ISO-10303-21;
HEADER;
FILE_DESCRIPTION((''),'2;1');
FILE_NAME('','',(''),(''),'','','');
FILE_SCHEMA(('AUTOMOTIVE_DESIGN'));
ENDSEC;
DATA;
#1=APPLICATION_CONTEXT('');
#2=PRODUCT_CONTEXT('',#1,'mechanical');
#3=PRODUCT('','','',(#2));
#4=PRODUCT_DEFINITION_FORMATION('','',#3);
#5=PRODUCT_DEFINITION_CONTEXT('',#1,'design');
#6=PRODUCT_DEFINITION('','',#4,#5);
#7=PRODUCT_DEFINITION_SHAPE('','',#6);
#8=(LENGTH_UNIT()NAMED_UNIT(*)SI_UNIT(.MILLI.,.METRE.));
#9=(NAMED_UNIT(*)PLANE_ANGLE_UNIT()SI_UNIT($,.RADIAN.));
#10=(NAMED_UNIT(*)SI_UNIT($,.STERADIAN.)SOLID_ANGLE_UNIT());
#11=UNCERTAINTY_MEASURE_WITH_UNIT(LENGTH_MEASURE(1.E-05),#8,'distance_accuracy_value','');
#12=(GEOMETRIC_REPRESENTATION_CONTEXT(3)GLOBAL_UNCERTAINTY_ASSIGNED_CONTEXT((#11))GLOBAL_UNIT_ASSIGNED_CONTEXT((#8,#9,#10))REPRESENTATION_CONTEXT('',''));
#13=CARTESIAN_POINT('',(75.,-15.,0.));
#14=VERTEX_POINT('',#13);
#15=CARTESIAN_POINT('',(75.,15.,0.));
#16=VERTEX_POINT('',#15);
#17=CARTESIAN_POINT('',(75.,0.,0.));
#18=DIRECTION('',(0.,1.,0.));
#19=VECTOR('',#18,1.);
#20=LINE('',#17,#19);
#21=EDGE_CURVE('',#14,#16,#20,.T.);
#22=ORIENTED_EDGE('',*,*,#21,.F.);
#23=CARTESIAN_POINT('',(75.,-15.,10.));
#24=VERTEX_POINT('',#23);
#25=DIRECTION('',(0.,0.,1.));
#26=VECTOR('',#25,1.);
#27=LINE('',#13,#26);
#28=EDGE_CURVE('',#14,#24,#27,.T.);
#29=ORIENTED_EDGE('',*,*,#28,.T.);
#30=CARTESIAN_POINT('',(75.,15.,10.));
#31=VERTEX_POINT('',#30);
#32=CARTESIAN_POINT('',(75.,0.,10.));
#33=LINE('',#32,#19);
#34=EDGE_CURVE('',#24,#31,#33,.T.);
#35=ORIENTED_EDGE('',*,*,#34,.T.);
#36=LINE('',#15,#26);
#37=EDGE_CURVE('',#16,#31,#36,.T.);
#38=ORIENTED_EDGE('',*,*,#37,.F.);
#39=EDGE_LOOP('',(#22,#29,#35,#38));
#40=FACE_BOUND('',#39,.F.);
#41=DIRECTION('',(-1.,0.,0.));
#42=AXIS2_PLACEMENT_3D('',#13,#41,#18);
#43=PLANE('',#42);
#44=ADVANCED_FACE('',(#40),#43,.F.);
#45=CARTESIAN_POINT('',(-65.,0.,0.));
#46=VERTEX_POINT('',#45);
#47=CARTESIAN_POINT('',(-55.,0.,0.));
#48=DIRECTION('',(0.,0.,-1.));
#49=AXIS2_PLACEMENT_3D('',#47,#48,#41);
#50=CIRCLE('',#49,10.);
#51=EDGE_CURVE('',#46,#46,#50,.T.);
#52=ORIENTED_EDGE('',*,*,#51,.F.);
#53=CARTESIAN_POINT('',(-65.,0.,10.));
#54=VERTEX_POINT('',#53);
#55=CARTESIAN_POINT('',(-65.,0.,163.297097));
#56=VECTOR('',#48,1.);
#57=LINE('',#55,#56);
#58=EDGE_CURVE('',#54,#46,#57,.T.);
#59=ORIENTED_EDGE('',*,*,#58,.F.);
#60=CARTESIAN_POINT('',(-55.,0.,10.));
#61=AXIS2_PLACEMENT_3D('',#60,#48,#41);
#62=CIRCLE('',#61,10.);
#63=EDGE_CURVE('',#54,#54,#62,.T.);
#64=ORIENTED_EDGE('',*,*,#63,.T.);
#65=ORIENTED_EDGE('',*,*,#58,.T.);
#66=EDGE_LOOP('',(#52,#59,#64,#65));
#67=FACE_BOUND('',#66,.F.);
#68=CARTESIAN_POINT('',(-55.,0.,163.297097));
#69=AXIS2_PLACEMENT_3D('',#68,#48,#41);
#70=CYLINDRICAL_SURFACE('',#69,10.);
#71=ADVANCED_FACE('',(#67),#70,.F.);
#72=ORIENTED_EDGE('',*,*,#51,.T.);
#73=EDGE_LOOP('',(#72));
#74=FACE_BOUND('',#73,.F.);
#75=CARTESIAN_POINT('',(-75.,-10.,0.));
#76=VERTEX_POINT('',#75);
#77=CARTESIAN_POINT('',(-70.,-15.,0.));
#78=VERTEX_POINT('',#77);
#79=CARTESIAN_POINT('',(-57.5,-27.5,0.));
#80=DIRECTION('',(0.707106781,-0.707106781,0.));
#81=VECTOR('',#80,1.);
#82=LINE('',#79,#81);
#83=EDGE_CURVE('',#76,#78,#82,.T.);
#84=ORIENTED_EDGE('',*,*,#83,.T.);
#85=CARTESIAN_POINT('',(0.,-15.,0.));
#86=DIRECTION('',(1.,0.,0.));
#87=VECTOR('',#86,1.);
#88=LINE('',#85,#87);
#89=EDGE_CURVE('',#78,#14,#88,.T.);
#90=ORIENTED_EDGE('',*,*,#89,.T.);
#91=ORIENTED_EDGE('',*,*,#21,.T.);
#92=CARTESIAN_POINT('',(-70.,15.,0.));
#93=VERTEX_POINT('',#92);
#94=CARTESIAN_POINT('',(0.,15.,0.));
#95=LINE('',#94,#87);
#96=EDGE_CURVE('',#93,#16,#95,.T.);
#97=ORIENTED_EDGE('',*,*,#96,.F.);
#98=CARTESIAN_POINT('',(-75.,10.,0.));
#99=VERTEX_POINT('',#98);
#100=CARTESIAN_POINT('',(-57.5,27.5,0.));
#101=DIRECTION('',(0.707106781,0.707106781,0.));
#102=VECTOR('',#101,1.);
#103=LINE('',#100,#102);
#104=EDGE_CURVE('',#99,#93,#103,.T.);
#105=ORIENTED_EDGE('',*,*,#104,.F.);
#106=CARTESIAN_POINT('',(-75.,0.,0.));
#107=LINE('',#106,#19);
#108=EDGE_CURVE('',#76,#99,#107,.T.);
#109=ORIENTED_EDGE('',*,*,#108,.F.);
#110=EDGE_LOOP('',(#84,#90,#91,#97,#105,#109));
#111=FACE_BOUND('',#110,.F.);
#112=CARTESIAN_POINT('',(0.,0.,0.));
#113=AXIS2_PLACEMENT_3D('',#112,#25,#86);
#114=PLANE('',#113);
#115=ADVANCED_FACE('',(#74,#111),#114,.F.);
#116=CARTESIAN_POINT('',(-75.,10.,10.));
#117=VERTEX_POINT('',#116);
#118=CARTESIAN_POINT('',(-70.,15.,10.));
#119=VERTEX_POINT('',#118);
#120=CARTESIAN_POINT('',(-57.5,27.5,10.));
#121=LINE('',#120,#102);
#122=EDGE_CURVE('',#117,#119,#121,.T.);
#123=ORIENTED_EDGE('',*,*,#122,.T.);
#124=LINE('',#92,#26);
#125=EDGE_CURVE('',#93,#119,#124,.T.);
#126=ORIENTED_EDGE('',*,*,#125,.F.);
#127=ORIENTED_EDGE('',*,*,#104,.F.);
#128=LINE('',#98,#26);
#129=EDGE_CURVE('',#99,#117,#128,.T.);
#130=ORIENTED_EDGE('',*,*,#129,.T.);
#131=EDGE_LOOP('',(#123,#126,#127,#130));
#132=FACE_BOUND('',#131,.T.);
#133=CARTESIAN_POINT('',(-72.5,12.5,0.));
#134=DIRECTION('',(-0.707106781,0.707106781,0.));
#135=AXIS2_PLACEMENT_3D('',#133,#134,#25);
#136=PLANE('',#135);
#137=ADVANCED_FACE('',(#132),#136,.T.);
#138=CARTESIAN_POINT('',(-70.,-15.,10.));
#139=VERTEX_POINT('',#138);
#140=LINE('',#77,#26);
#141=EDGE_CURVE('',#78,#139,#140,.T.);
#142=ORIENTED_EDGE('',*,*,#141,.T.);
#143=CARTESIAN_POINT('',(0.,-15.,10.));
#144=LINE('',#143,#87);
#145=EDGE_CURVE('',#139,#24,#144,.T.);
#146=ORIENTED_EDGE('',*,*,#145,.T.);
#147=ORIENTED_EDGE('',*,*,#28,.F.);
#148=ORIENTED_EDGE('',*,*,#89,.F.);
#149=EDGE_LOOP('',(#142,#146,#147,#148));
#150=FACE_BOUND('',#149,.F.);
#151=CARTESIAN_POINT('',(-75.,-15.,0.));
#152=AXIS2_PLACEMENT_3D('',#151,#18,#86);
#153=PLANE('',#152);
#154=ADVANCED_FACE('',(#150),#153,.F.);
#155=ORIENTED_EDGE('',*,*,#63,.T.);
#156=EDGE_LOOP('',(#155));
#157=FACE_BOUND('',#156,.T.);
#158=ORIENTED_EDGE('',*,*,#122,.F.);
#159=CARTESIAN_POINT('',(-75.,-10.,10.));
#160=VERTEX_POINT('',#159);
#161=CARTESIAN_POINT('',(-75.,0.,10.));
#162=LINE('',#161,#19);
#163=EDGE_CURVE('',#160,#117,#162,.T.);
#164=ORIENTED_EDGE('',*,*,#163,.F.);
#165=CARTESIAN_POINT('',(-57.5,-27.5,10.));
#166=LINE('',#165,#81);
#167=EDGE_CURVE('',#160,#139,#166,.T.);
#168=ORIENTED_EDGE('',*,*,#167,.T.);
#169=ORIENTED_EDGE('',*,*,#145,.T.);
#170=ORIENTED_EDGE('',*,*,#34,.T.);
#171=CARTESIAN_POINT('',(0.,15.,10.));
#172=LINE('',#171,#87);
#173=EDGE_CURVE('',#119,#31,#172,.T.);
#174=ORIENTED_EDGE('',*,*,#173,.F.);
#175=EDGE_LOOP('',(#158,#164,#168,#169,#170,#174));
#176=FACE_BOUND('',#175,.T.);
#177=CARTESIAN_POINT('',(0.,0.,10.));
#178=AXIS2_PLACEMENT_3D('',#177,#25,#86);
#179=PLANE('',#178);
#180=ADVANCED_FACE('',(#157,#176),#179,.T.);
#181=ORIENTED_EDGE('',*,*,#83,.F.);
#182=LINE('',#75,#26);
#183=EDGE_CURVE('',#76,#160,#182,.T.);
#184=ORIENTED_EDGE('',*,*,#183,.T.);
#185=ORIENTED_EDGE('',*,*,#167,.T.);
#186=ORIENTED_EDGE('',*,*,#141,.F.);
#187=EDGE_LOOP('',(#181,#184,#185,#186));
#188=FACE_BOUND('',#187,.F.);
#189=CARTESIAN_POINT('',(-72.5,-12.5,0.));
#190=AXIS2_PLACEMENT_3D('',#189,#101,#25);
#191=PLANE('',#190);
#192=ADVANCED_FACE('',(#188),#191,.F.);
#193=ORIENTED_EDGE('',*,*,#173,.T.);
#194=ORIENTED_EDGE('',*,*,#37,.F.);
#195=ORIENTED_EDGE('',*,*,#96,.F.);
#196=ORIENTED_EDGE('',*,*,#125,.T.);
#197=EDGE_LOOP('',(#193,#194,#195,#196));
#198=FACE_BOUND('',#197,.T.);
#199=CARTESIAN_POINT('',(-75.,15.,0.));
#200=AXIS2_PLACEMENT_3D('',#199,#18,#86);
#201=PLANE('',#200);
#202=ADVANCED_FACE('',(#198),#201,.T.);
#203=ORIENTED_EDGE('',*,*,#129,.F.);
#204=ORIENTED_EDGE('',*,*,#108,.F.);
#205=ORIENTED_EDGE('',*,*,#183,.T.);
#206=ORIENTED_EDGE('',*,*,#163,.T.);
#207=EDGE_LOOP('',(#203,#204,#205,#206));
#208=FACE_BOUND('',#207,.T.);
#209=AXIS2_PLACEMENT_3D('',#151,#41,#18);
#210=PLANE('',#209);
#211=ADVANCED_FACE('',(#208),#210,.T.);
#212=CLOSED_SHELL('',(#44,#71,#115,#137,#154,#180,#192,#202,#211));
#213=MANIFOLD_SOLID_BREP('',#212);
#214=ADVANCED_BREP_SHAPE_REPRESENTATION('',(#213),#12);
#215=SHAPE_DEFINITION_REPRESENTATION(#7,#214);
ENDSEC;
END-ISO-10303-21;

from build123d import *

# Parameters (mm, degrees)
F0_W     = 150
F0_H     = 30
F1_DEPTH = 10
F3_D     = 20
F4_SIZE  = 5


with BuildPart() as f1:
    # F0 (on Top) → F1 (new body)
    with BuildSketch(Plane.XY):
        Rectangle(F0_W, F0_H)
    extrude(amount=F1_DEPTH)

    # F3 (through all)
    with Locations(Plane.XY.offset(10)):
        with Locations((-55, 0)):
            Hole(F3_D / 2)

    # F4
    f4_edges = [f1.edges().sort_by_distance(p)[0] for p in [
        (-75, -15, 5),
        (-75, 15, 5),
    ]]
    chamfer(f4_edges, length=F4_SIZE)


solid = f1.part
